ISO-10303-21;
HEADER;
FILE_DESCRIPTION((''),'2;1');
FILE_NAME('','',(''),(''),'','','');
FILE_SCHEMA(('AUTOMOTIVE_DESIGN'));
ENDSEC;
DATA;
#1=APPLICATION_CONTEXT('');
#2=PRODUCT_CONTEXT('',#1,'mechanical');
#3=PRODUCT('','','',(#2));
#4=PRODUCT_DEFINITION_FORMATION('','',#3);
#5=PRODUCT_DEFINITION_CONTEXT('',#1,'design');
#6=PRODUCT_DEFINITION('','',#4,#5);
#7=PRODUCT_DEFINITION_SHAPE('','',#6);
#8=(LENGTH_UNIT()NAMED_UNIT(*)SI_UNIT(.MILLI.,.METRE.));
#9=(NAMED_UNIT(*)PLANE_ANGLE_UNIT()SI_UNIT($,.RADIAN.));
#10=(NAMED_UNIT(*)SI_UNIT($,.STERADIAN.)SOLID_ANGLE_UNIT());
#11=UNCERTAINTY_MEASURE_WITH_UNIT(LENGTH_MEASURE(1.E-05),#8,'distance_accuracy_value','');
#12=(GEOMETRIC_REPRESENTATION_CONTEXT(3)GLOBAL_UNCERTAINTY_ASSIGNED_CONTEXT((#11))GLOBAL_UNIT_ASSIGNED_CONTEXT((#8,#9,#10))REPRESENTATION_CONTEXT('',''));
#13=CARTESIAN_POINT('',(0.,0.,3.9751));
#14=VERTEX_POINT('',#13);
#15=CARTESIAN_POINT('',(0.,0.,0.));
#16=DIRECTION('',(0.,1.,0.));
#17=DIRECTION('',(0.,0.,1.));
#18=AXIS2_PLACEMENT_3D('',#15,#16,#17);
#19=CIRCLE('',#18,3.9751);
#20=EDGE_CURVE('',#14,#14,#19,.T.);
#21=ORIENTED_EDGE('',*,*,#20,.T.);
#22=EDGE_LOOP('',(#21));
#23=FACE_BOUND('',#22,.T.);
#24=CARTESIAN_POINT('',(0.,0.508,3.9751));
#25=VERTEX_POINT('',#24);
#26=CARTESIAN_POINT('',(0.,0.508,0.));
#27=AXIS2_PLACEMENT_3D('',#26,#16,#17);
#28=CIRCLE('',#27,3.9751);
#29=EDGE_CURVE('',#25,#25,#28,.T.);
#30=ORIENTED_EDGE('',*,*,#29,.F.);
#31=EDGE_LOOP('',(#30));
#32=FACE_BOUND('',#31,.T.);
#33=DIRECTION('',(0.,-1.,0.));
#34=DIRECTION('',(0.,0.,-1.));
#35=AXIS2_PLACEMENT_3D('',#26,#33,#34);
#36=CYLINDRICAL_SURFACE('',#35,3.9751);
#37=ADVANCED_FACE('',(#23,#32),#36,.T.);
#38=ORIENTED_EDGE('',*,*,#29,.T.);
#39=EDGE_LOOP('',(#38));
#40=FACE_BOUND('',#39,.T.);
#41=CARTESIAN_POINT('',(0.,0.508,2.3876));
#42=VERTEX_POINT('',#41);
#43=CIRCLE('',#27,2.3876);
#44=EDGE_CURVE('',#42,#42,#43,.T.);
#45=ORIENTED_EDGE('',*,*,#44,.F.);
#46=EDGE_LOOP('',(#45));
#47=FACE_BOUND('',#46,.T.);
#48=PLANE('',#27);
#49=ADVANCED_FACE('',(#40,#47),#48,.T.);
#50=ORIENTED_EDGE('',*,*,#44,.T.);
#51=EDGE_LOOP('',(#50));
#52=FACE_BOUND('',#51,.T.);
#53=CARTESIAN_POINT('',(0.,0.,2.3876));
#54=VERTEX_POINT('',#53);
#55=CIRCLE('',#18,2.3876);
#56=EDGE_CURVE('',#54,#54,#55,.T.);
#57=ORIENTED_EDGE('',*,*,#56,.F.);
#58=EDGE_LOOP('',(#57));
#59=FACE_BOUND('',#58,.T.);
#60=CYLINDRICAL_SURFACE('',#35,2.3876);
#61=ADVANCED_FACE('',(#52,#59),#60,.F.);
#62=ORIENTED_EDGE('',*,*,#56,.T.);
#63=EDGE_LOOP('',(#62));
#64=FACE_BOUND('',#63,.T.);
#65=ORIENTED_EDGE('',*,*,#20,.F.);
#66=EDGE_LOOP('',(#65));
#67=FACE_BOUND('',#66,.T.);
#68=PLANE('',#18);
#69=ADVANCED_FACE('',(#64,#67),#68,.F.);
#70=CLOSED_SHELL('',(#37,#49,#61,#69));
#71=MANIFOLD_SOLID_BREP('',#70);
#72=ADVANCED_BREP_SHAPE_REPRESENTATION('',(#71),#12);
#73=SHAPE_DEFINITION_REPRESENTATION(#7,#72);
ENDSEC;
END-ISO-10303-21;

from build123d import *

# Parameters (mm, degrees)
SKETCH1_R           = 3.9751
SKETCH1_R_2         = 2.3876
BOSS_EXTRUDE1_DEPTH = 0.508


with BuildPart() as part:
    # Sketch1 → Boss-Extrude1 (new body)
    with BuildSketch(Plane(origin=(0, 0, 0), x_dir=(1, 0, 0), z_dir=(0, 1, 0))):
        Circle(SKETCH1_R)
        Circle(SKETCH1_R_2, mode=Mode.SUBTRACT)
    extrude(amount=BOSS_EXTRUDE1_DEPTH)


solid = part.part
